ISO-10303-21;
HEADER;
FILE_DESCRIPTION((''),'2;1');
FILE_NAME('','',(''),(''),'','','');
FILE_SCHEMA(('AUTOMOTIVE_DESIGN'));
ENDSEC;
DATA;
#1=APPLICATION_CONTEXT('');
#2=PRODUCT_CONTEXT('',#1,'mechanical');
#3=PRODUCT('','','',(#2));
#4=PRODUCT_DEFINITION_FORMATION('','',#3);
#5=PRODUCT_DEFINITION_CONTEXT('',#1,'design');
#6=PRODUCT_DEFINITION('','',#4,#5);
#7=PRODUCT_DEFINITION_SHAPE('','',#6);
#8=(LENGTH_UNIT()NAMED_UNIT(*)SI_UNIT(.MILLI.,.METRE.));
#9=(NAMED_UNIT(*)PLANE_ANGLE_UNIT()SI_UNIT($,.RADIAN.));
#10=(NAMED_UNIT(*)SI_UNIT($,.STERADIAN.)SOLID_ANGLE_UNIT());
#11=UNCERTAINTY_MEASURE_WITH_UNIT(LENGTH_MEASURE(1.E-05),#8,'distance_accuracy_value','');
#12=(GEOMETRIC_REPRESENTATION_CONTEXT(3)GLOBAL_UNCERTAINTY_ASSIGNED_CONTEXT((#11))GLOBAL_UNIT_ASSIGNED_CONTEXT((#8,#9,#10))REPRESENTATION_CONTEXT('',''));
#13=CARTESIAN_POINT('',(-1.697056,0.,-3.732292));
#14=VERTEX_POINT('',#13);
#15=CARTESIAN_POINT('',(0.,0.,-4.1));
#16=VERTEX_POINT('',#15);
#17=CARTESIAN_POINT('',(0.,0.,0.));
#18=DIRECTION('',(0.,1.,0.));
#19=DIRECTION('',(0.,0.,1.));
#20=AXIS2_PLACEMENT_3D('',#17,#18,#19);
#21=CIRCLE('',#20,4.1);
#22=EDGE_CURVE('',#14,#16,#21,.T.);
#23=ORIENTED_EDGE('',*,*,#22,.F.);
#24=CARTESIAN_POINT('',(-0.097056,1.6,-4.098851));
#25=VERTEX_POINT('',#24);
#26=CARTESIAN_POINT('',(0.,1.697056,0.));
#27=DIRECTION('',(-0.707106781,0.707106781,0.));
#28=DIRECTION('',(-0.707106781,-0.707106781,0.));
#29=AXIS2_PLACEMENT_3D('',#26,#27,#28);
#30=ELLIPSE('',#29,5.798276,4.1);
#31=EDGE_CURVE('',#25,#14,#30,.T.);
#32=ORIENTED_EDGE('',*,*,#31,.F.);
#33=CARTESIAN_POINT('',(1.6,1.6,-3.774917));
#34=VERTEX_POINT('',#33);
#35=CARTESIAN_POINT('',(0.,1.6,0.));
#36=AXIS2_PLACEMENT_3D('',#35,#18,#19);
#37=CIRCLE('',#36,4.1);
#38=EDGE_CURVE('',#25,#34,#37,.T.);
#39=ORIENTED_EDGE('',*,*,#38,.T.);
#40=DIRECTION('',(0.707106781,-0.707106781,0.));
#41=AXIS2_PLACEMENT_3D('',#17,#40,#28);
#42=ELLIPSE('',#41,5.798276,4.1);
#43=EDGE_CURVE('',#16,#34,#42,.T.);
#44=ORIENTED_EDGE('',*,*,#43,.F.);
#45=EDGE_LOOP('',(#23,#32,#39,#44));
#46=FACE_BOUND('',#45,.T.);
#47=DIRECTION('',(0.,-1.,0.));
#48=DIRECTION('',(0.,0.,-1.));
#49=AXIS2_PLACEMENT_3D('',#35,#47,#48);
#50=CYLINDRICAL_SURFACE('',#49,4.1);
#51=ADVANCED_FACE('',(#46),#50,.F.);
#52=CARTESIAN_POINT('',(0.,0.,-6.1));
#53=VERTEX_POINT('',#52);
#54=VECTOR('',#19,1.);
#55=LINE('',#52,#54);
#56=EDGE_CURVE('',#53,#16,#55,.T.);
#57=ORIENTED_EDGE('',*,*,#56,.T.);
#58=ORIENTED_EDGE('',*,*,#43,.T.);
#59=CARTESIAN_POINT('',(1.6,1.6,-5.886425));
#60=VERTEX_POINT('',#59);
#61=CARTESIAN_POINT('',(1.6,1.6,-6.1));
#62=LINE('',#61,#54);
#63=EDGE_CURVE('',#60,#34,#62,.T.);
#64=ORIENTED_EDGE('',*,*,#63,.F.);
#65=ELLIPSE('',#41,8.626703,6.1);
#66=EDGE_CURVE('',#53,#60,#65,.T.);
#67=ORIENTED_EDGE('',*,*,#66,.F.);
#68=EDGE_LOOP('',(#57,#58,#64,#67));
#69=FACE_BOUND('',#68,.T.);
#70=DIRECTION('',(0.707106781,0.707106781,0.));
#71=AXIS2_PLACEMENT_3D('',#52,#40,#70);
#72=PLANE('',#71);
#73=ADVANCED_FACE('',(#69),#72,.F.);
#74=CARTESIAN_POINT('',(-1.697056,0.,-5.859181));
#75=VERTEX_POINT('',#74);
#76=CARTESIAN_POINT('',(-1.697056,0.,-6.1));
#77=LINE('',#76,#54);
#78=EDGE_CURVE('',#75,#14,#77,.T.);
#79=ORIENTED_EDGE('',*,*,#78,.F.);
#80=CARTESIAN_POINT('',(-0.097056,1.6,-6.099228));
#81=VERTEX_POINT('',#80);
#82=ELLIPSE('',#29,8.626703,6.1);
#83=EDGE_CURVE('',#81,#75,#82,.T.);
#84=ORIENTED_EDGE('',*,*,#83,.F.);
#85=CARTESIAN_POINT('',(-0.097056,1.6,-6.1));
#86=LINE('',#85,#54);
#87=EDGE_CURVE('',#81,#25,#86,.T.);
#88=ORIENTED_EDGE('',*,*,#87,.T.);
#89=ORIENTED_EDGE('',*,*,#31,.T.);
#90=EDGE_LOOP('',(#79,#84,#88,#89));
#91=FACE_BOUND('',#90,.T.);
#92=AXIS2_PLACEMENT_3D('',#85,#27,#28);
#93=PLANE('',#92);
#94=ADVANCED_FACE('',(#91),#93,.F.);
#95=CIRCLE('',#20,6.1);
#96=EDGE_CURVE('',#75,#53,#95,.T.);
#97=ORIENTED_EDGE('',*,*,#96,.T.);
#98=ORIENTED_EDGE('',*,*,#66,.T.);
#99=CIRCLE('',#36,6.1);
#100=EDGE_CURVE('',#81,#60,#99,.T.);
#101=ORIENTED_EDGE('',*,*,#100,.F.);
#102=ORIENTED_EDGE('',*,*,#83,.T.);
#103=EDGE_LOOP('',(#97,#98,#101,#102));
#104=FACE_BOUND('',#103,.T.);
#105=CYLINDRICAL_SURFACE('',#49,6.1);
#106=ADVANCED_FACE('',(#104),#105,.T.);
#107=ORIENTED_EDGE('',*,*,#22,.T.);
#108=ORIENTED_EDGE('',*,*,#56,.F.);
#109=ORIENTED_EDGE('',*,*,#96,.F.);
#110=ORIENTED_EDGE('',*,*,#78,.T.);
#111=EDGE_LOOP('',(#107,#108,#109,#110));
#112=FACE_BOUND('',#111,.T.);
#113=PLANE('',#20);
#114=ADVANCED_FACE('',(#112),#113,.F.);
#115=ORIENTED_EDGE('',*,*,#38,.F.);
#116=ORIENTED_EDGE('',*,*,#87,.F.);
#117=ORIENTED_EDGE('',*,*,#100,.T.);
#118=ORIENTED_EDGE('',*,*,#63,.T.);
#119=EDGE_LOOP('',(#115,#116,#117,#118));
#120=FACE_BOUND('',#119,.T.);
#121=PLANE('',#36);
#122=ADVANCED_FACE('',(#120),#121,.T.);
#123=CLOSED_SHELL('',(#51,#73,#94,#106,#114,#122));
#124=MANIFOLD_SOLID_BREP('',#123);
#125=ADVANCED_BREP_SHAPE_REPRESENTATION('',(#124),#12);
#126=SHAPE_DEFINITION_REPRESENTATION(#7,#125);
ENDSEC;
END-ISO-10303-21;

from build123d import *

# Parameters (mm, degrees)
SKETCH_1_R          = 6.1
SKETCH_1_R_2        = 4.1
EXTRUDE_1_DEPTH     = 1.6
CUT_EXTRUDE_1_DEPTH = 9.773824708


with BuildPart() as part:
    # Эскиз1 → Бобышка-Вытянуть1 (new body)
    with BuildSketch(Plane(origin=(0, 0, 0), x_dir=(1, 0, 0), z_dir=(0, 1, 0))):
        with Locations(Location((0, 0, 0), (0, 0, 270))):
            Circle(SKETCH_1_R)
        with Locations(Location((0, 0, 0), (0, 0, 270))):
            Circle(SKETCH_1_R_2, mode=Mode.SUBTRACT)
    extrude(amount=EXTRUDE_1_DEPTH)

    # Эскиз2 → Вырез-Вытянуть1 (cut, through all)
    with BuildSketch(Plane.XY):
        Polygon((0, 0), (1.6, 1.6), (-0.097056275, 1.6), (-1.697056275, 0), align=None)
    extrude(amount=-CUT_EXTRUDE_1_DEPTH, mode=Mode.SUBTRACT)


solid = part.part
